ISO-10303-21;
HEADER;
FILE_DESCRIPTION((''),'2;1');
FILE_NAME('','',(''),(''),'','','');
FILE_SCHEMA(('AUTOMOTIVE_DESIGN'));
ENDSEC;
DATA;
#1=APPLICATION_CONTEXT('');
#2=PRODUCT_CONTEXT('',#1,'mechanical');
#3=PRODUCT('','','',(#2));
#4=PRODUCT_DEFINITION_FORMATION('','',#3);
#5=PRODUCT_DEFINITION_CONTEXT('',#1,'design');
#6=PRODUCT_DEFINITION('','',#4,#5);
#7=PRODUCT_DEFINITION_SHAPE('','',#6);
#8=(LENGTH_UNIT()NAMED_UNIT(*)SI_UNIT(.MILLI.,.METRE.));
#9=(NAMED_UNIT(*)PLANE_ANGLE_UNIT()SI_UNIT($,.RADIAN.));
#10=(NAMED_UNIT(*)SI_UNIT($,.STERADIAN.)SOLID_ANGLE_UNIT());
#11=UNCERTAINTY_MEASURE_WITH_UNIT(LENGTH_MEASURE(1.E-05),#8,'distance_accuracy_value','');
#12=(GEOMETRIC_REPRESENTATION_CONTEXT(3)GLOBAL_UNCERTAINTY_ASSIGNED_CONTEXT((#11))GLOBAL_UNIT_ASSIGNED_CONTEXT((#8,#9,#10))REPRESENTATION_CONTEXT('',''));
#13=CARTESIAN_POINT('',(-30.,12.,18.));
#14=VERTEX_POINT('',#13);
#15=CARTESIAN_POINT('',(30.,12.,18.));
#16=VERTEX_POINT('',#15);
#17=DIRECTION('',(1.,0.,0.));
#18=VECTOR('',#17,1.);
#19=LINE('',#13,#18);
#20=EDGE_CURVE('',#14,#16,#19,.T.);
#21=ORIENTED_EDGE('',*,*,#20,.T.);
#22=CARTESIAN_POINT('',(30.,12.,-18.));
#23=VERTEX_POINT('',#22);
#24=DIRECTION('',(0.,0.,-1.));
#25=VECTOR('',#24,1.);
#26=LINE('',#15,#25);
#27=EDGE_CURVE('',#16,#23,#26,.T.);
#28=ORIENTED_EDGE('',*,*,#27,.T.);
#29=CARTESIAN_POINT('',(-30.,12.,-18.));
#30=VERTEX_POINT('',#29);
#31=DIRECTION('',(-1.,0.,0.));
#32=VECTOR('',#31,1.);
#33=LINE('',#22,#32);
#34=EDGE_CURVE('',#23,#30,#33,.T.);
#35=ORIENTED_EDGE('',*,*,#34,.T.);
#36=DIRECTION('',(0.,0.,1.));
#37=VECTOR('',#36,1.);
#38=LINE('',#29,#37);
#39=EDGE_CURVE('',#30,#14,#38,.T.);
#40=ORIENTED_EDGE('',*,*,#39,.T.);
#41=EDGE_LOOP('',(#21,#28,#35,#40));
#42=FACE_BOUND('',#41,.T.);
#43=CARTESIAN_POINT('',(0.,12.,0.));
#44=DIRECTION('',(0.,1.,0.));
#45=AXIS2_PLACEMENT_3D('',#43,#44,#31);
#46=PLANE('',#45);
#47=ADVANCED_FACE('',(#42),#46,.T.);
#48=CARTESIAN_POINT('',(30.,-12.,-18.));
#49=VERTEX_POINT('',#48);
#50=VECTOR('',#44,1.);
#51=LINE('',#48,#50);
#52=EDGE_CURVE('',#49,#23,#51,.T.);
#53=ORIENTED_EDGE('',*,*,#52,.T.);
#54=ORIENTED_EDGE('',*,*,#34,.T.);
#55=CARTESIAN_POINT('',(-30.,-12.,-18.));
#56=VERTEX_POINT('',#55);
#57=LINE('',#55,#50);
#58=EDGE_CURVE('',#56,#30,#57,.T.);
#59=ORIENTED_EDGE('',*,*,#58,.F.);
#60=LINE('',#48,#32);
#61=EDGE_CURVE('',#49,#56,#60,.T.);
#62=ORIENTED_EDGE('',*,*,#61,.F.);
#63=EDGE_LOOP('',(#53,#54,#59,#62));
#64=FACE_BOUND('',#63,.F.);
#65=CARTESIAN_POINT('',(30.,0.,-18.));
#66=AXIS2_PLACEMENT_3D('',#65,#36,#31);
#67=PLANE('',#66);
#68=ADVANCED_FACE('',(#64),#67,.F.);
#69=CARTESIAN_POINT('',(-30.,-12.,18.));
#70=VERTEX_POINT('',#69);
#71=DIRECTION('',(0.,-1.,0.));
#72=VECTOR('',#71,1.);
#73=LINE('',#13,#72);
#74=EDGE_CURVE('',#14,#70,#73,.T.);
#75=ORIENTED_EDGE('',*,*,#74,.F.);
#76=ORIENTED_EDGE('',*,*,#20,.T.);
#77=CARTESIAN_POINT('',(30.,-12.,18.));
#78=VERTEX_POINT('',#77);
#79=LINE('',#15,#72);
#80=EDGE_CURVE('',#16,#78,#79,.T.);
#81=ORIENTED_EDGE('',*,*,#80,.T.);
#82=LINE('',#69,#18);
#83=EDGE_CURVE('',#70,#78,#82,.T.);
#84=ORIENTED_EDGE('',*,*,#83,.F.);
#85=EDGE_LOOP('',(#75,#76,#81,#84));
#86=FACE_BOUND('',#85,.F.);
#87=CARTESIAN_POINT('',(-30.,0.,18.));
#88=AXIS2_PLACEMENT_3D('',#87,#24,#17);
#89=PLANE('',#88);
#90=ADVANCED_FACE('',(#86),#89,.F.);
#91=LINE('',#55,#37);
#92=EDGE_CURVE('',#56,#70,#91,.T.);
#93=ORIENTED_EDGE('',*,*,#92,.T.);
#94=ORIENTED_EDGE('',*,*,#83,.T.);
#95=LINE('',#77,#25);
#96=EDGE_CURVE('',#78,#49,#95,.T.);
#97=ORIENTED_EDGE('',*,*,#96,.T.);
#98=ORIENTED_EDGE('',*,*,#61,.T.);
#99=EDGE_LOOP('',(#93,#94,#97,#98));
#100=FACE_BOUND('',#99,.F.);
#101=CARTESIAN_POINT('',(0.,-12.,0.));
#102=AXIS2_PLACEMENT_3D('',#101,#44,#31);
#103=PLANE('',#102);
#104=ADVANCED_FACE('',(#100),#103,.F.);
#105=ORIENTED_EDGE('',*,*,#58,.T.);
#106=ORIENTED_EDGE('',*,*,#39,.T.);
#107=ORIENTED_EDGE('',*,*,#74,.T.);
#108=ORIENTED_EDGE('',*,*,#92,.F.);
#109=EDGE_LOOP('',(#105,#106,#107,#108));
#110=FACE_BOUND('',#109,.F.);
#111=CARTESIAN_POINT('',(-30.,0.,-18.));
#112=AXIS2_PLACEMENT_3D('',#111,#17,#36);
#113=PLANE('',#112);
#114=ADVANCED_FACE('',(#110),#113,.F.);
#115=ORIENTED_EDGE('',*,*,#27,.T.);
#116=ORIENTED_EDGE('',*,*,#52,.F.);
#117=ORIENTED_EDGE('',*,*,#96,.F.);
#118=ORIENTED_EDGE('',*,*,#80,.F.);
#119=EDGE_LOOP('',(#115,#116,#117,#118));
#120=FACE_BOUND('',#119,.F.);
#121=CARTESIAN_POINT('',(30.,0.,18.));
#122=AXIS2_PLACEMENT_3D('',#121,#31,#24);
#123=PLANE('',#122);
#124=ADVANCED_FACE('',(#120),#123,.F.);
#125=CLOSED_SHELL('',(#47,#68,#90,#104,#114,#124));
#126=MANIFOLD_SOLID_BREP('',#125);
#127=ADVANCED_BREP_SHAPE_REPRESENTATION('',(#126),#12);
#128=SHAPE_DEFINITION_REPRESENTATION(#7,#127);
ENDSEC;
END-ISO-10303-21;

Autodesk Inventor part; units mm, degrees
ref_plane "YZ Plane" through (0, 0, 0) normal (1, 0, 0) x (0, 1, 0)
ref_plane "XZ Plane" through (0, 0, 0) normal (0, 1, 0) x (-1, 0, 0)
ref_plane "XY Plane" through (0, 0, 0) normal (0, 0, 1) x (1, 0, 0)
sketch "Sketch1" plane through (0, 0, 0) normal (0, 1, 0) x (-1, 0, 0)
  line L0 (-30, -18) -> (30, -18)
  line L1 (30, -18) -> (30, 18)
  line L2 (30, 18) -> (-30, 18)
  line L3 (-30, 18) -> (-30, -18)
  line L4 (-30, -18) -> (30, 18) construction
  line L5 (30, -18) -> (-30, 18) construction
  point P0 (0, 0)
  dimension "d0" = 36
  dimension "d1" = 60
extrude "Extrusion1" add sketch "Sketch1" along normal mid plane 24
properties part number "imu"
